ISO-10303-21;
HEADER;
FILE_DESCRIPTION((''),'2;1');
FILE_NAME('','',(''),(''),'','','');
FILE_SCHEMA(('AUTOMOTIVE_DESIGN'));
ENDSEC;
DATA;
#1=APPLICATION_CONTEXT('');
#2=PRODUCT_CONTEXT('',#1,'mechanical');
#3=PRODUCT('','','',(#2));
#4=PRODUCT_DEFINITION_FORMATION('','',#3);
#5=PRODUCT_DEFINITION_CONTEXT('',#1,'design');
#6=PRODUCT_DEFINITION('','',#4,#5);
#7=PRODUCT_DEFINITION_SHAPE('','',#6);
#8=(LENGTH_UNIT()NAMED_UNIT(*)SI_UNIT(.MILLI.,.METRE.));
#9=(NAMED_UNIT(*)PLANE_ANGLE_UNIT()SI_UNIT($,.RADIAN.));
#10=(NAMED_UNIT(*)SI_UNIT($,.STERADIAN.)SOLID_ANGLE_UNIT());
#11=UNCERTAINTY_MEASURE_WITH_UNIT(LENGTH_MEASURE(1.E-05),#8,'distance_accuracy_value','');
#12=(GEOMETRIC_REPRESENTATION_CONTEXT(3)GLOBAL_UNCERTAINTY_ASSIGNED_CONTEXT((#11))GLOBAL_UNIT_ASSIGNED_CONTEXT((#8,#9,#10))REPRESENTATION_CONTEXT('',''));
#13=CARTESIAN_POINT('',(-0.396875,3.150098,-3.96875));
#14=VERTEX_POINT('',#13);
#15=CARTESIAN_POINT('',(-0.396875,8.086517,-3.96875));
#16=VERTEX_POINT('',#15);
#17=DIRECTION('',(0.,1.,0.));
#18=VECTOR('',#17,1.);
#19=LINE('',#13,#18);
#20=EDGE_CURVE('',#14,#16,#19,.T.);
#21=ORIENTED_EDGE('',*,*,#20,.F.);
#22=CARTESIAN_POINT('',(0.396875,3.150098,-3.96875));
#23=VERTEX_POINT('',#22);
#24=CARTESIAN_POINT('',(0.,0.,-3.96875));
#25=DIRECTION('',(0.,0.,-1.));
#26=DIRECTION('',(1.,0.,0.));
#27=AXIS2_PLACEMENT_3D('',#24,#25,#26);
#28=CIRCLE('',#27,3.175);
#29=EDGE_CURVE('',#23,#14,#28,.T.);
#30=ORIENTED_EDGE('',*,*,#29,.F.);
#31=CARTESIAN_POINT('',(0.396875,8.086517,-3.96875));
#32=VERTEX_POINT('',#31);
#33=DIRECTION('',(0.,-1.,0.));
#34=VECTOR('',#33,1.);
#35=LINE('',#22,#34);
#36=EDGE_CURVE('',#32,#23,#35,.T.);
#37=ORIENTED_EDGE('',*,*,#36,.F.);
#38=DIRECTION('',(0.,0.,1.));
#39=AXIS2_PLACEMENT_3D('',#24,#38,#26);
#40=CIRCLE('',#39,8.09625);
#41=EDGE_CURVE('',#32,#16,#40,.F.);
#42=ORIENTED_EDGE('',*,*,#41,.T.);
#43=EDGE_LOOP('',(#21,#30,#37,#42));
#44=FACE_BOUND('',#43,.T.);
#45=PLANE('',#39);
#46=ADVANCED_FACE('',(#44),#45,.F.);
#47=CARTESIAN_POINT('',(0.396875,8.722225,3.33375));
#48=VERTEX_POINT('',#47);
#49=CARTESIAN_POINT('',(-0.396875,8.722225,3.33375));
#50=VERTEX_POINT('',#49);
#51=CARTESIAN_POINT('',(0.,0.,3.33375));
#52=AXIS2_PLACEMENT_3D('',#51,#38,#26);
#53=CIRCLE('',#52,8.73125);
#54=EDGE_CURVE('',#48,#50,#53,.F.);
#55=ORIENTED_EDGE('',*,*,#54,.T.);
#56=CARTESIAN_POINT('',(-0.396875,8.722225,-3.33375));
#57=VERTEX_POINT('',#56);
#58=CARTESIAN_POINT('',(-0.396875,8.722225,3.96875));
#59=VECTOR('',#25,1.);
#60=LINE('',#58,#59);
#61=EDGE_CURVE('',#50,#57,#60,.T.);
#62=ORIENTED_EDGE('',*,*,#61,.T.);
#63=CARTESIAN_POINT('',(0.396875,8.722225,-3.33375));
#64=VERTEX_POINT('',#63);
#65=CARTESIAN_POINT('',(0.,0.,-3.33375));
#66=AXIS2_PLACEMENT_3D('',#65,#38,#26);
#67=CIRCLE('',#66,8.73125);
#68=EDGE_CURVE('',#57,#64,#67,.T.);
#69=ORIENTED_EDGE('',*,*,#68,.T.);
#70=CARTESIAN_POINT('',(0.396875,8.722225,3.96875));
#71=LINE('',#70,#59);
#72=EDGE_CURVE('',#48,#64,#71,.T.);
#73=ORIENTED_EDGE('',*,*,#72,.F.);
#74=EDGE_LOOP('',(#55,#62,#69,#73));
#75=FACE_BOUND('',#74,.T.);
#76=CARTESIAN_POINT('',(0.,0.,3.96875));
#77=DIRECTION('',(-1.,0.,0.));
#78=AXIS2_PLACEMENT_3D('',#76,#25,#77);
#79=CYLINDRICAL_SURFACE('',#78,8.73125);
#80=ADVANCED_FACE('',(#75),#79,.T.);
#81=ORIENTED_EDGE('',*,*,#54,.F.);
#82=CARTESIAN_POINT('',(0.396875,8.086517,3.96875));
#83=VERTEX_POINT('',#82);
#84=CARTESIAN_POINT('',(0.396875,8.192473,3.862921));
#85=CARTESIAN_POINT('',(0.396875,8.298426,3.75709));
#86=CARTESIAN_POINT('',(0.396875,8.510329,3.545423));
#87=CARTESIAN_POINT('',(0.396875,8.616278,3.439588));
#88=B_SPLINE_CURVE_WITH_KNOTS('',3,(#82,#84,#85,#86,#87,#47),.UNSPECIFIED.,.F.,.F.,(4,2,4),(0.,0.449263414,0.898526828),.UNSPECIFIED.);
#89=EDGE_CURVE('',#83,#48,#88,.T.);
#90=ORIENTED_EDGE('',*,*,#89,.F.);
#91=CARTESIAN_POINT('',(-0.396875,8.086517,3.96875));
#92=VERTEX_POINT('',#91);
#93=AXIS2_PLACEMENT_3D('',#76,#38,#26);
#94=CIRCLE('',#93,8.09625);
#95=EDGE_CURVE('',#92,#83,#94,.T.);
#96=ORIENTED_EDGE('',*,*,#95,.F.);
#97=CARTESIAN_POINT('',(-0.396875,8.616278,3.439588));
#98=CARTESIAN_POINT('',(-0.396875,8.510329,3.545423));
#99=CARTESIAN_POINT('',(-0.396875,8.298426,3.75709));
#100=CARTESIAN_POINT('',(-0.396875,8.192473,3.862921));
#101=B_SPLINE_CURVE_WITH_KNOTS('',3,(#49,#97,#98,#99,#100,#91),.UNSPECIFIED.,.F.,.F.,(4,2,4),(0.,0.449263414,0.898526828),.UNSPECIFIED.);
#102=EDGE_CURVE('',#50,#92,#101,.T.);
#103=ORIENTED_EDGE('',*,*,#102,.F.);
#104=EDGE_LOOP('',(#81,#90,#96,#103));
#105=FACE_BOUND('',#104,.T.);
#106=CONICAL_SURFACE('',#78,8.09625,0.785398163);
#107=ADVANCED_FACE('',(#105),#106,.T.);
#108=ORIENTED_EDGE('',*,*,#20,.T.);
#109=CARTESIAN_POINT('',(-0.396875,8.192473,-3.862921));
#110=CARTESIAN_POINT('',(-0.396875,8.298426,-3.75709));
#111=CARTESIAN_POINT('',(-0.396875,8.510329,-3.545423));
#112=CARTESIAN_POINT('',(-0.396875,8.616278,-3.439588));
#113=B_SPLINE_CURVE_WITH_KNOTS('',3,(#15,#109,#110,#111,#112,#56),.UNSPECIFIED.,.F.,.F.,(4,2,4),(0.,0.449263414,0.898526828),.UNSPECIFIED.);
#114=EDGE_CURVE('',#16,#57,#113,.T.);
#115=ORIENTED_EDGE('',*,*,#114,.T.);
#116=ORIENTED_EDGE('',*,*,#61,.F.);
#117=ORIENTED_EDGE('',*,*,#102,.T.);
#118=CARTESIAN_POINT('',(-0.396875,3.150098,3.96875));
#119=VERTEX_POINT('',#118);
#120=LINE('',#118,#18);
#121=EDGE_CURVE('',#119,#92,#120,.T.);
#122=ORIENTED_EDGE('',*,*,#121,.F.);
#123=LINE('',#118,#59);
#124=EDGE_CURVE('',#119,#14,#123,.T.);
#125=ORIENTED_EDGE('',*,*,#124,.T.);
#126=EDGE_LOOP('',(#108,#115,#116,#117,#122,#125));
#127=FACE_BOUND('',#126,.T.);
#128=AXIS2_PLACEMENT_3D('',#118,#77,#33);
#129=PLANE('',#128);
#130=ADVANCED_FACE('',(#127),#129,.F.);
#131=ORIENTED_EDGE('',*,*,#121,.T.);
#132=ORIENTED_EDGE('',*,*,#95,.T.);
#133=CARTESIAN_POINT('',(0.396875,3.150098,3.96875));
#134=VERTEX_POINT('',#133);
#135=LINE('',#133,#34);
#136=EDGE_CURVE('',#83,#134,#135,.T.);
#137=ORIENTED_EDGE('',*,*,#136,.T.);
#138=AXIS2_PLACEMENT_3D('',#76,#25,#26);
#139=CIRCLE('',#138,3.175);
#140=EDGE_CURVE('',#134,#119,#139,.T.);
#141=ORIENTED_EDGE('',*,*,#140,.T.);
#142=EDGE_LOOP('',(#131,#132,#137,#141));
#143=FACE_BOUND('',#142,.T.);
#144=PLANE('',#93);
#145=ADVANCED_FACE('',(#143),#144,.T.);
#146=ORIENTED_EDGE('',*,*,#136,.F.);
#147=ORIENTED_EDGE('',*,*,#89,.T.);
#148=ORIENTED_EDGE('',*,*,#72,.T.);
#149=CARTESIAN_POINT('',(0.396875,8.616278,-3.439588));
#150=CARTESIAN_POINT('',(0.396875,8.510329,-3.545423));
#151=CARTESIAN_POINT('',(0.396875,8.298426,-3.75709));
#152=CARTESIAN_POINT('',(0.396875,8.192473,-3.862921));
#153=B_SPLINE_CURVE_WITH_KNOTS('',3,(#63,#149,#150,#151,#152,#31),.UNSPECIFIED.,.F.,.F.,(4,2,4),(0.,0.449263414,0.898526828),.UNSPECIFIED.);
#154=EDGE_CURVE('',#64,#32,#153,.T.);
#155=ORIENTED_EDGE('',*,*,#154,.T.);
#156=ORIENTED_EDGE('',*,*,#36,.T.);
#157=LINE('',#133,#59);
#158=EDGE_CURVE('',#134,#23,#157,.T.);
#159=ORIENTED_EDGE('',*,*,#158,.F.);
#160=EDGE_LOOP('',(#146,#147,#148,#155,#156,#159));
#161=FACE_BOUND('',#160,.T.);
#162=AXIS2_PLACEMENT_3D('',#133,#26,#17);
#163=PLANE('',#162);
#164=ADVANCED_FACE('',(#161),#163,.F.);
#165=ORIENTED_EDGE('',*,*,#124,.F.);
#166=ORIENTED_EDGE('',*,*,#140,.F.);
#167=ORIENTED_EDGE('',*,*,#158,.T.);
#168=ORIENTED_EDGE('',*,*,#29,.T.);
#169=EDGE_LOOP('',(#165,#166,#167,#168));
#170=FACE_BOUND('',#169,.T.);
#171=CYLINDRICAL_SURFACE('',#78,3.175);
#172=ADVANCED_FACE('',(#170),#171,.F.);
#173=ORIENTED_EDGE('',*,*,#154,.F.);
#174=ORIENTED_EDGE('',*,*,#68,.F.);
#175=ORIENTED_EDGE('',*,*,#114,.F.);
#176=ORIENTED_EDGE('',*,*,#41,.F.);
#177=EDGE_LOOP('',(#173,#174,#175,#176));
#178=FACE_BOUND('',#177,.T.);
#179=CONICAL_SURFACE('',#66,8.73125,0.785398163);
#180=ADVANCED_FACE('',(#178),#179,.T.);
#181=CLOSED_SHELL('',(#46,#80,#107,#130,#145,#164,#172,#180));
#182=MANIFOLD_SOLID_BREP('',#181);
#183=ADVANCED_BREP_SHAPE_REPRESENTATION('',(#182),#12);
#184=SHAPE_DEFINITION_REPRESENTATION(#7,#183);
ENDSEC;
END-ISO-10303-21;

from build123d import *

# Parameters (mm, degrees)
EXTRUSION_DEPTH = 3.96875
CHAMFER1_SIZE   = 0.635


with BuildPart() as part:
    # profile → extrusion (new body, symmetric)
    with BuildSketch(Plane.XY):
        with BuildLine():
            Line((-0.396875, 3.150097655), (-0.396875, 8.72222545))
            ThreePointArc((-0.396875, 8.72222545), (0, -8.73125), (0.396875, 8.72222545))
            Line((0.396875, 8.72222545), (0.396875, 3.150097655))
            ThreePointArc((0.396875, 3.150097655), (0, -3.175), (-0.396875, 3.150097655))
        make_face()
    extrude(amount=EXTRUSION_DEPTH, both=True)

    # Chamfer1
    chamfer1_edges = [part.edges().sort_by_distance(p)[0] for p in [
        (0, -8.73125, 3.96875),
        (0, -8.73125, -3.96875),
    ]]
    chamfer(chamfer1_edges, length=CHAMFER1_SIZE)


solid = part.part
